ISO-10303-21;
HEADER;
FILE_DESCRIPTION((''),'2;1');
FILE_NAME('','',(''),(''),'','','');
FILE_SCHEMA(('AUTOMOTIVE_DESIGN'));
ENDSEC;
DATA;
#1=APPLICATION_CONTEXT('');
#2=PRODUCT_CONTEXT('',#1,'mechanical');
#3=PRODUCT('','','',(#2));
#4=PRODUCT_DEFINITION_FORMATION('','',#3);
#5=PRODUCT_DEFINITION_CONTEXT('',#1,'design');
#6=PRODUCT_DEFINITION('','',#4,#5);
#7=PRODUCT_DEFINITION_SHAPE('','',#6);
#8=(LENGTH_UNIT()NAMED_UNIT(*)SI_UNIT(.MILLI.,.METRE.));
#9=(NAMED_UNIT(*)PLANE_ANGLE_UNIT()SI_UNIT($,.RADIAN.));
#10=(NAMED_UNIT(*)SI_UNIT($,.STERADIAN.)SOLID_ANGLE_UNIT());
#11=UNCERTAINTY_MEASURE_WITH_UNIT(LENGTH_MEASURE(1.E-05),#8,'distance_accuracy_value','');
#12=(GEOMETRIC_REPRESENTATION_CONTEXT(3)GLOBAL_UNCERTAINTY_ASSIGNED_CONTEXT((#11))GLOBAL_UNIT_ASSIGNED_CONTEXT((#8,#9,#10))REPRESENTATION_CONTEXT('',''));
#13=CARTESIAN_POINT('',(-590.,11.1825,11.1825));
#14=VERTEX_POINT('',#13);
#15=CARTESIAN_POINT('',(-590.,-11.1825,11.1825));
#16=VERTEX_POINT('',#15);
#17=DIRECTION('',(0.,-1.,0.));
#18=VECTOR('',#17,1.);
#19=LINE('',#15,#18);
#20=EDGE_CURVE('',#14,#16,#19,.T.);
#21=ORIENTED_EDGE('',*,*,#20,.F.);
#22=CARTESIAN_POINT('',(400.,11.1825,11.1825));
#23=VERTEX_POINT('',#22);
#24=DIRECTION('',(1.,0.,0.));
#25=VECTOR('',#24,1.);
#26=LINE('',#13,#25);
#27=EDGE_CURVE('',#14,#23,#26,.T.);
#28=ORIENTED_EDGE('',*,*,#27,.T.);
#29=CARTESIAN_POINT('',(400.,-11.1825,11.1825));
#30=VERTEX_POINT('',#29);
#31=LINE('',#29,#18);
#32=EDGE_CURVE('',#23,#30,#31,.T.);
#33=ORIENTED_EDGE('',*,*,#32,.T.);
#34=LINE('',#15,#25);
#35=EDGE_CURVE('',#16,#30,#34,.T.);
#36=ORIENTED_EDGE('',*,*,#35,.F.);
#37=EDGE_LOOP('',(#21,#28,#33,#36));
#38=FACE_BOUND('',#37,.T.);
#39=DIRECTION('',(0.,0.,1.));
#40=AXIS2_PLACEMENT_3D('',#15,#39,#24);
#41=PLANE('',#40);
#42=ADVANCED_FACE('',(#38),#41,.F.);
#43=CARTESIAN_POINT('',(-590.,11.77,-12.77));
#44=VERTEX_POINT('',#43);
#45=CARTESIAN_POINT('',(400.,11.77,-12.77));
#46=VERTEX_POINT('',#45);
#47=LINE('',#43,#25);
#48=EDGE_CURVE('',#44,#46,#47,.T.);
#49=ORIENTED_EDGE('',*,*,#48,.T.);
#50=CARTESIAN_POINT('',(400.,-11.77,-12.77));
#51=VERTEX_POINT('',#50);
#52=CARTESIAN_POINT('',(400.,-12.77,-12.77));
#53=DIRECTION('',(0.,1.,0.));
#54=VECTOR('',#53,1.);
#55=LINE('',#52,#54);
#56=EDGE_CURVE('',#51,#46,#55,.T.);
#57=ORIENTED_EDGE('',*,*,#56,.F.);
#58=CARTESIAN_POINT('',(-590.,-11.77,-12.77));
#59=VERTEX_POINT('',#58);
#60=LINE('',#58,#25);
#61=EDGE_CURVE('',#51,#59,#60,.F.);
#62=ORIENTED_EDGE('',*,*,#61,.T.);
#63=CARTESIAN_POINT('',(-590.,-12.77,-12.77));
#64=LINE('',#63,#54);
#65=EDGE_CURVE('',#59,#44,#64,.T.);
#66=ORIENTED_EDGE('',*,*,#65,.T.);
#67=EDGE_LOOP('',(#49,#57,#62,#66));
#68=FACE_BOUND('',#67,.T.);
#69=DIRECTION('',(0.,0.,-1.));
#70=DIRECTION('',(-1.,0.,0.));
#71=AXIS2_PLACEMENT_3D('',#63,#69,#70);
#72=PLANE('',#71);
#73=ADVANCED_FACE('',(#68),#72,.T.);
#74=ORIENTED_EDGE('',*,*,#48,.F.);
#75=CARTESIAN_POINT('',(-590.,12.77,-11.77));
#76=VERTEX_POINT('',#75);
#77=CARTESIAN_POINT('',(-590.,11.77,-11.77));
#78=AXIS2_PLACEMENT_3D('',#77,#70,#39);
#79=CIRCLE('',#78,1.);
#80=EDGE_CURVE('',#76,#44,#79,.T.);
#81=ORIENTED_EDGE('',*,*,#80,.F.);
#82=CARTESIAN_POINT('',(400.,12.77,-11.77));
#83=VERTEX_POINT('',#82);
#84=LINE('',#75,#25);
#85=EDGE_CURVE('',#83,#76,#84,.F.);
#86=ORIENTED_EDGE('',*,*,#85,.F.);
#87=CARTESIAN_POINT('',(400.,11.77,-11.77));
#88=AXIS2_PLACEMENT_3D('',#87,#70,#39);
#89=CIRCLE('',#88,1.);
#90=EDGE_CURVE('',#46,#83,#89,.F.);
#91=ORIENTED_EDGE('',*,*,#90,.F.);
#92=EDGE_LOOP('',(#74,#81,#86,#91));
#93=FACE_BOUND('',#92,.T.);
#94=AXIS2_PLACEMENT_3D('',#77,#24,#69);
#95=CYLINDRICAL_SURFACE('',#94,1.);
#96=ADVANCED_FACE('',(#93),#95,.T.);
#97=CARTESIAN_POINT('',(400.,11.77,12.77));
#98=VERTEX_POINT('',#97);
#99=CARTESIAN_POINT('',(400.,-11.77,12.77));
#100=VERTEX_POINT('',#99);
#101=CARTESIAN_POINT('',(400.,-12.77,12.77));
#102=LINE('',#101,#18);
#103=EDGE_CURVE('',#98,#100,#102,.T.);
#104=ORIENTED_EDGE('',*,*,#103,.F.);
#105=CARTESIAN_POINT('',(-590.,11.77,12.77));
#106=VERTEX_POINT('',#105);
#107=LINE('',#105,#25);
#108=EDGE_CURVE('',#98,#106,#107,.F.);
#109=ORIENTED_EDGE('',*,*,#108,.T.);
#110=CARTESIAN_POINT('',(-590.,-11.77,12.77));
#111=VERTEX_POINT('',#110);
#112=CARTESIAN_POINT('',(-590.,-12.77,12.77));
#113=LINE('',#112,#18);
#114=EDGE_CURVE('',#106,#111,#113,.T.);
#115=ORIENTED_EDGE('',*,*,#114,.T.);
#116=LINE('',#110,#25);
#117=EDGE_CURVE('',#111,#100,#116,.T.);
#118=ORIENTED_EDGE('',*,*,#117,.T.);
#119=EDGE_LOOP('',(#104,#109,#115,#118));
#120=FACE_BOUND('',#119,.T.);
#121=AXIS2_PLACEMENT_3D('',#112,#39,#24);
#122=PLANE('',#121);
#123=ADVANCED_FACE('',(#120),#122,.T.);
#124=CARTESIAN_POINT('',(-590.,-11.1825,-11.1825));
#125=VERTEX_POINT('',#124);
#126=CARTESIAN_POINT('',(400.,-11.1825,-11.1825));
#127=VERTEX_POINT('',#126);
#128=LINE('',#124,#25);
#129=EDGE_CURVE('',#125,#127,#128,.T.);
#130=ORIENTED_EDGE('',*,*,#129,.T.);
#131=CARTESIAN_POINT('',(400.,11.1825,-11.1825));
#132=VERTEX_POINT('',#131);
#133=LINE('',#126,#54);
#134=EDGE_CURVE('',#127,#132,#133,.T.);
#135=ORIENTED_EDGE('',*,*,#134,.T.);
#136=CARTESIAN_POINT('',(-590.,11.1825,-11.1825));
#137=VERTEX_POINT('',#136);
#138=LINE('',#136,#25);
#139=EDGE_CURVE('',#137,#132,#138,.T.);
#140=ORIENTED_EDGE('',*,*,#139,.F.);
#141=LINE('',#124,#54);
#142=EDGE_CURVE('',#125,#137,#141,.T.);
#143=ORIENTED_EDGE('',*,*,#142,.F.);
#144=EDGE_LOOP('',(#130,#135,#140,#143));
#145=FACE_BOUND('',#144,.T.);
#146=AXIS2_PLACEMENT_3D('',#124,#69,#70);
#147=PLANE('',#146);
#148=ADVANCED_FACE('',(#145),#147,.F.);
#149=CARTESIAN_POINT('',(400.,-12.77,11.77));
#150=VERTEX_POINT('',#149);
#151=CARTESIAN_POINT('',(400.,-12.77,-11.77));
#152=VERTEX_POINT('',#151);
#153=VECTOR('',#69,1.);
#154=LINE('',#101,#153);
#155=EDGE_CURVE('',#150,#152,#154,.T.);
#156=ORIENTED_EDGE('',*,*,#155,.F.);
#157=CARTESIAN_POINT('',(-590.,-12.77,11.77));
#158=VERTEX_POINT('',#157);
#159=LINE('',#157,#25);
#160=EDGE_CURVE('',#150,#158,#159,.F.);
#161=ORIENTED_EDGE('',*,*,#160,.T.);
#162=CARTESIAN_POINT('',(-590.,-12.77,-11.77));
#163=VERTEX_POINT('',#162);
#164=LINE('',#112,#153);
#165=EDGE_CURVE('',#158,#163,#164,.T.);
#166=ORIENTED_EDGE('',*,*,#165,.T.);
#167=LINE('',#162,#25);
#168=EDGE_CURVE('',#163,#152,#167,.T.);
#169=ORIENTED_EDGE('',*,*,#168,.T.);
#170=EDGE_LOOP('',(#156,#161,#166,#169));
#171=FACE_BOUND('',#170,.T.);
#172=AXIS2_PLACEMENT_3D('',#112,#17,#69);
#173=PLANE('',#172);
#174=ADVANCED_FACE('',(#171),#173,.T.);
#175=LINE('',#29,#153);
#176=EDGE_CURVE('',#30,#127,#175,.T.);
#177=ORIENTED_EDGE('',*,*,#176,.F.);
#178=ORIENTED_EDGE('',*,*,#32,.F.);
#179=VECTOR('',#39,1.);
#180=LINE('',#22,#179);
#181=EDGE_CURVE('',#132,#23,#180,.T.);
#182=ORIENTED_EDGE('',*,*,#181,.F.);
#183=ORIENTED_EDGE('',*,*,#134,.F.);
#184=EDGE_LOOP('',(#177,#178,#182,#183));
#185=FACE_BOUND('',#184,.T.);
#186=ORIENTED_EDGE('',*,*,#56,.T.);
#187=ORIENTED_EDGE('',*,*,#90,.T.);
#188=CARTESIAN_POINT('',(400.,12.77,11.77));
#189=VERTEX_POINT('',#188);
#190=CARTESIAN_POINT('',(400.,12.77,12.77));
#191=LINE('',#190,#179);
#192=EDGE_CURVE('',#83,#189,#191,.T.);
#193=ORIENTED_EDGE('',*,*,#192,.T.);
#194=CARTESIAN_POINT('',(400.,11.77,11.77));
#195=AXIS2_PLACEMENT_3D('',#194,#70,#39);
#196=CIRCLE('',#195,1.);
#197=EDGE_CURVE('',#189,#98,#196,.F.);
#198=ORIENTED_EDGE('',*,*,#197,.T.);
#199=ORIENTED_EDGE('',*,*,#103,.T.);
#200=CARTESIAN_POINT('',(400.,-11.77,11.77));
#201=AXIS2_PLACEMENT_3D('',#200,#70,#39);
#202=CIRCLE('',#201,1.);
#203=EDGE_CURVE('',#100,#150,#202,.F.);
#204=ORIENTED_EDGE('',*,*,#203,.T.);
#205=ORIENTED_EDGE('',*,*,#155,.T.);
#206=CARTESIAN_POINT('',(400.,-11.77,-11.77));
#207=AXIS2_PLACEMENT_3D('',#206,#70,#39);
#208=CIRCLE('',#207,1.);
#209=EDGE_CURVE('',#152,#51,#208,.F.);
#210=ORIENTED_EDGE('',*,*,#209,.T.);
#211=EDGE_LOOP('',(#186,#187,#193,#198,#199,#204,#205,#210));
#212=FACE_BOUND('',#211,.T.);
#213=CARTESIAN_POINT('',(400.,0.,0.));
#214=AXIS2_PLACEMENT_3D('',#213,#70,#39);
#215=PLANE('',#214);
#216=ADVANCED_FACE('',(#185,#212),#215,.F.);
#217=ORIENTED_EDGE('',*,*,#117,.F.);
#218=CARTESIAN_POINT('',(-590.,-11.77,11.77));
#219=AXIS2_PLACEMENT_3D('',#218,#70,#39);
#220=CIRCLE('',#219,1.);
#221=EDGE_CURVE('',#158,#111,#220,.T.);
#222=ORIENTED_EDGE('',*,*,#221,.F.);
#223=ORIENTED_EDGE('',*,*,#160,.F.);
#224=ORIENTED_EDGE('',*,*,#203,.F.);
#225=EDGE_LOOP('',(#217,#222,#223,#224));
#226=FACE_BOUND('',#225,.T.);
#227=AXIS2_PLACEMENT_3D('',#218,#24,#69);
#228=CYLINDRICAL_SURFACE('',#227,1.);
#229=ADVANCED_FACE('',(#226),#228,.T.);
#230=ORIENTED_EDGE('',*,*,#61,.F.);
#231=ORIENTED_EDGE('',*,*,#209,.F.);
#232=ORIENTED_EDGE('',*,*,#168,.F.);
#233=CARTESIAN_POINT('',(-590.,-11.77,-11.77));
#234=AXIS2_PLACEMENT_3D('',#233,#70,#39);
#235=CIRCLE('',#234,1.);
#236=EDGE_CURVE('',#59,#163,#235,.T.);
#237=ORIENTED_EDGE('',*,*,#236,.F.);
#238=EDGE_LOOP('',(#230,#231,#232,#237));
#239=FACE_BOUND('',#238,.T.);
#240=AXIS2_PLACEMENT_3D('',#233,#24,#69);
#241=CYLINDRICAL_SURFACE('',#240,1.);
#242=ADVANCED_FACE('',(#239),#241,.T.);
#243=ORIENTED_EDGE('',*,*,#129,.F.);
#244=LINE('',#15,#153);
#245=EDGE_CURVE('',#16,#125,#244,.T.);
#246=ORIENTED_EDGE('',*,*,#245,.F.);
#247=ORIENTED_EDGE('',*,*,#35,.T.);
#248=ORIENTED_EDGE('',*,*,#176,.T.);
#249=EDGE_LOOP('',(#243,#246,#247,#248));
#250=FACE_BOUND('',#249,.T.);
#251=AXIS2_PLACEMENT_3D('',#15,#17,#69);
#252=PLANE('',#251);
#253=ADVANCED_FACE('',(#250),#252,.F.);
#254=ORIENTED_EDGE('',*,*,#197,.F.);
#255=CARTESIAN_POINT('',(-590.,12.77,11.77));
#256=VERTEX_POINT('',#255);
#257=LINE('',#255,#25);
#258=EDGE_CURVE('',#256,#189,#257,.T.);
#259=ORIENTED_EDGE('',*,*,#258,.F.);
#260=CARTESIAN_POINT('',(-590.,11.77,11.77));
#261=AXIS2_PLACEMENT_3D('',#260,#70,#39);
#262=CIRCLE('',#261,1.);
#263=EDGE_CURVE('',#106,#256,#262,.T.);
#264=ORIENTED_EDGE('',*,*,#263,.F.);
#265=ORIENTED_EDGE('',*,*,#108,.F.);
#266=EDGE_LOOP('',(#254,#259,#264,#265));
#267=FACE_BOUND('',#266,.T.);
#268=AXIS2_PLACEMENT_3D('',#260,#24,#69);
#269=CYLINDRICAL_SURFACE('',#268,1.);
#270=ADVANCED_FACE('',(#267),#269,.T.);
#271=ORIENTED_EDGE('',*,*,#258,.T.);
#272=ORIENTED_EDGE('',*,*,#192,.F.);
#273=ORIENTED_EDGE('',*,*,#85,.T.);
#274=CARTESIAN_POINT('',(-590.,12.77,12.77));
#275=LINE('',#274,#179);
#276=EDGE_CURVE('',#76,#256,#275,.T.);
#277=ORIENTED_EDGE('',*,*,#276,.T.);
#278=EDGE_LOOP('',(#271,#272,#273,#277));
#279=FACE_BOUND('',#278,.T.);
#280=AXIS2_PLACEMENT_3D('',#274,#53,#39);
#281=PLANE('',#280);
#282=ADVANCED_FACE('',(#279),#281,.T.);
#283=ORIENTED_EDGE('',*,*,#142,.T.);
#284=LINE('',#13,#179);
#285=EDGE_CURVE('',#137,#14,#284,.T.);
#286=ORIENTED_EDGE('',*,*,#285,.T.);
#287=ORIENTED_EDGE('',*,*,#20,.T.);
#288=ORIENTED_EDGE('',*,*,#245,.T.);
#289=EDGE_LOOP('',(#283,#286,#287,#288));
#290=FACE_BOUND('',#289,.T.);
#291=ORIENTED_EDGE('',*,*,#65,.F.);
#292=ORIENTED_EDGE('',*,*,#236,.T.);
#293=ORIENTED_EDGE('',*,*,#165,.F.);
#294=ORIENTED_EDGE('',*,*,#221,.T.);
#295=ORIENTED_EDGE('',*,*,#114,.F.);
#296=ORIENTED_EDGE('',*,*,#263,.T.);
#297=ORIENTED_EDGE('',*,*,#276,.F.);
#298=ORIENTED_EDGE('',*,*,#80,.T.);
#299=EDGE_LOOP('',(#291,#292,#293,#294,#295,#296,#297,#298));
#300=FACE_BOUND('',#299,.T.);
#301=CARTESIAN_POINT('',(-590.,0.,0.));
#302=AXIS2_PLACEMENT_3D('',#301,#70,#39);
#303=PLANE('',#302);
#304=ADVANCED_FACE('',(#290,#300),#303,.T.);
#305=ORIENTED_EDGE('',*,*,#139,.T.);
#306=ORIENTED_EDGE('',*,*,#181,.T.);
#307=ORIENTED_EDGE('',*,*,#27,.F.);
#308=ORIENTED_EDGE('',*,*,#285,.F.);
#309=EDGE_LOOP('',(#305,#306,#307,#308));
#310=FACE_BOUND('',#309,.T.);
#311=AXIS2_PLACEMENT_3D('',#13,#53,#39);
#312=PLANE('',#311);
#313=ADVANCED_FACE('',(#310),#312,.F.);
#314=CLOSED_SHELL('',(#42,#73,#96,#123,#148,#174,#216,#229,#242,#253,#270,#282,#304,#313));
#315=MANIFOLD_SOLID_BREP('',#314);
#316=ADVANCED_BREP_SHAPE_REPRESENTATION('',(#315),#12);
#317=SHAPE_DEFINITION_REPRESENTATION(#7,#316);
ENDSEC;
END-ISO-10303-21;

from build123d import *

# Parameters (mm, degrees)
SKETCH2_W                = 25.54
SKETCH2_H                = 25.54
SKETCH2_W_2              = 22.365
SKETCH2_H_2              = 22.365
BOSS_EXTRUDE1_DEPTH      = 400
BOSS_EXTRUDE1_DEPTH_BACK = 590
FILLET1_R                = 1


with BuildPart() as part:
    # Sketch2 → Boss-Extrude1 (new body, two sides)
    with BuildSketch(Plane(origin=(0, 0, 0), x_dir=(0, 0, -1), z_dir=(1, 0, 0))) as boss_extrude1_sk:
        Rectangle(SKETCH2_W, SKETCH2_H)
        Rectangle(SKETCH2_W_2, SKETCH2_H_2, mode=Mode.SUBTRACT)
    extrude(amount=BOSS_EXTRUDE1_DEPTH)
    extrude(boss_extrude1_sk.sketch, amount=-BOSS_EXTRUDE1_DEPTH_BACK)

    # Fillet1
    fillet1_edges = [part.edges().sort_by_distance(p)[0] for p in [
        (-95, -12.77, -12.77),
        (-95, -12.77, 12.77),
        (-95, 12.77, 12.77),
        (-95, 12.77, -12.77),
    ]]
    fillet(fillet1_edges, radius=FILLET1_R)


solid = part.part
